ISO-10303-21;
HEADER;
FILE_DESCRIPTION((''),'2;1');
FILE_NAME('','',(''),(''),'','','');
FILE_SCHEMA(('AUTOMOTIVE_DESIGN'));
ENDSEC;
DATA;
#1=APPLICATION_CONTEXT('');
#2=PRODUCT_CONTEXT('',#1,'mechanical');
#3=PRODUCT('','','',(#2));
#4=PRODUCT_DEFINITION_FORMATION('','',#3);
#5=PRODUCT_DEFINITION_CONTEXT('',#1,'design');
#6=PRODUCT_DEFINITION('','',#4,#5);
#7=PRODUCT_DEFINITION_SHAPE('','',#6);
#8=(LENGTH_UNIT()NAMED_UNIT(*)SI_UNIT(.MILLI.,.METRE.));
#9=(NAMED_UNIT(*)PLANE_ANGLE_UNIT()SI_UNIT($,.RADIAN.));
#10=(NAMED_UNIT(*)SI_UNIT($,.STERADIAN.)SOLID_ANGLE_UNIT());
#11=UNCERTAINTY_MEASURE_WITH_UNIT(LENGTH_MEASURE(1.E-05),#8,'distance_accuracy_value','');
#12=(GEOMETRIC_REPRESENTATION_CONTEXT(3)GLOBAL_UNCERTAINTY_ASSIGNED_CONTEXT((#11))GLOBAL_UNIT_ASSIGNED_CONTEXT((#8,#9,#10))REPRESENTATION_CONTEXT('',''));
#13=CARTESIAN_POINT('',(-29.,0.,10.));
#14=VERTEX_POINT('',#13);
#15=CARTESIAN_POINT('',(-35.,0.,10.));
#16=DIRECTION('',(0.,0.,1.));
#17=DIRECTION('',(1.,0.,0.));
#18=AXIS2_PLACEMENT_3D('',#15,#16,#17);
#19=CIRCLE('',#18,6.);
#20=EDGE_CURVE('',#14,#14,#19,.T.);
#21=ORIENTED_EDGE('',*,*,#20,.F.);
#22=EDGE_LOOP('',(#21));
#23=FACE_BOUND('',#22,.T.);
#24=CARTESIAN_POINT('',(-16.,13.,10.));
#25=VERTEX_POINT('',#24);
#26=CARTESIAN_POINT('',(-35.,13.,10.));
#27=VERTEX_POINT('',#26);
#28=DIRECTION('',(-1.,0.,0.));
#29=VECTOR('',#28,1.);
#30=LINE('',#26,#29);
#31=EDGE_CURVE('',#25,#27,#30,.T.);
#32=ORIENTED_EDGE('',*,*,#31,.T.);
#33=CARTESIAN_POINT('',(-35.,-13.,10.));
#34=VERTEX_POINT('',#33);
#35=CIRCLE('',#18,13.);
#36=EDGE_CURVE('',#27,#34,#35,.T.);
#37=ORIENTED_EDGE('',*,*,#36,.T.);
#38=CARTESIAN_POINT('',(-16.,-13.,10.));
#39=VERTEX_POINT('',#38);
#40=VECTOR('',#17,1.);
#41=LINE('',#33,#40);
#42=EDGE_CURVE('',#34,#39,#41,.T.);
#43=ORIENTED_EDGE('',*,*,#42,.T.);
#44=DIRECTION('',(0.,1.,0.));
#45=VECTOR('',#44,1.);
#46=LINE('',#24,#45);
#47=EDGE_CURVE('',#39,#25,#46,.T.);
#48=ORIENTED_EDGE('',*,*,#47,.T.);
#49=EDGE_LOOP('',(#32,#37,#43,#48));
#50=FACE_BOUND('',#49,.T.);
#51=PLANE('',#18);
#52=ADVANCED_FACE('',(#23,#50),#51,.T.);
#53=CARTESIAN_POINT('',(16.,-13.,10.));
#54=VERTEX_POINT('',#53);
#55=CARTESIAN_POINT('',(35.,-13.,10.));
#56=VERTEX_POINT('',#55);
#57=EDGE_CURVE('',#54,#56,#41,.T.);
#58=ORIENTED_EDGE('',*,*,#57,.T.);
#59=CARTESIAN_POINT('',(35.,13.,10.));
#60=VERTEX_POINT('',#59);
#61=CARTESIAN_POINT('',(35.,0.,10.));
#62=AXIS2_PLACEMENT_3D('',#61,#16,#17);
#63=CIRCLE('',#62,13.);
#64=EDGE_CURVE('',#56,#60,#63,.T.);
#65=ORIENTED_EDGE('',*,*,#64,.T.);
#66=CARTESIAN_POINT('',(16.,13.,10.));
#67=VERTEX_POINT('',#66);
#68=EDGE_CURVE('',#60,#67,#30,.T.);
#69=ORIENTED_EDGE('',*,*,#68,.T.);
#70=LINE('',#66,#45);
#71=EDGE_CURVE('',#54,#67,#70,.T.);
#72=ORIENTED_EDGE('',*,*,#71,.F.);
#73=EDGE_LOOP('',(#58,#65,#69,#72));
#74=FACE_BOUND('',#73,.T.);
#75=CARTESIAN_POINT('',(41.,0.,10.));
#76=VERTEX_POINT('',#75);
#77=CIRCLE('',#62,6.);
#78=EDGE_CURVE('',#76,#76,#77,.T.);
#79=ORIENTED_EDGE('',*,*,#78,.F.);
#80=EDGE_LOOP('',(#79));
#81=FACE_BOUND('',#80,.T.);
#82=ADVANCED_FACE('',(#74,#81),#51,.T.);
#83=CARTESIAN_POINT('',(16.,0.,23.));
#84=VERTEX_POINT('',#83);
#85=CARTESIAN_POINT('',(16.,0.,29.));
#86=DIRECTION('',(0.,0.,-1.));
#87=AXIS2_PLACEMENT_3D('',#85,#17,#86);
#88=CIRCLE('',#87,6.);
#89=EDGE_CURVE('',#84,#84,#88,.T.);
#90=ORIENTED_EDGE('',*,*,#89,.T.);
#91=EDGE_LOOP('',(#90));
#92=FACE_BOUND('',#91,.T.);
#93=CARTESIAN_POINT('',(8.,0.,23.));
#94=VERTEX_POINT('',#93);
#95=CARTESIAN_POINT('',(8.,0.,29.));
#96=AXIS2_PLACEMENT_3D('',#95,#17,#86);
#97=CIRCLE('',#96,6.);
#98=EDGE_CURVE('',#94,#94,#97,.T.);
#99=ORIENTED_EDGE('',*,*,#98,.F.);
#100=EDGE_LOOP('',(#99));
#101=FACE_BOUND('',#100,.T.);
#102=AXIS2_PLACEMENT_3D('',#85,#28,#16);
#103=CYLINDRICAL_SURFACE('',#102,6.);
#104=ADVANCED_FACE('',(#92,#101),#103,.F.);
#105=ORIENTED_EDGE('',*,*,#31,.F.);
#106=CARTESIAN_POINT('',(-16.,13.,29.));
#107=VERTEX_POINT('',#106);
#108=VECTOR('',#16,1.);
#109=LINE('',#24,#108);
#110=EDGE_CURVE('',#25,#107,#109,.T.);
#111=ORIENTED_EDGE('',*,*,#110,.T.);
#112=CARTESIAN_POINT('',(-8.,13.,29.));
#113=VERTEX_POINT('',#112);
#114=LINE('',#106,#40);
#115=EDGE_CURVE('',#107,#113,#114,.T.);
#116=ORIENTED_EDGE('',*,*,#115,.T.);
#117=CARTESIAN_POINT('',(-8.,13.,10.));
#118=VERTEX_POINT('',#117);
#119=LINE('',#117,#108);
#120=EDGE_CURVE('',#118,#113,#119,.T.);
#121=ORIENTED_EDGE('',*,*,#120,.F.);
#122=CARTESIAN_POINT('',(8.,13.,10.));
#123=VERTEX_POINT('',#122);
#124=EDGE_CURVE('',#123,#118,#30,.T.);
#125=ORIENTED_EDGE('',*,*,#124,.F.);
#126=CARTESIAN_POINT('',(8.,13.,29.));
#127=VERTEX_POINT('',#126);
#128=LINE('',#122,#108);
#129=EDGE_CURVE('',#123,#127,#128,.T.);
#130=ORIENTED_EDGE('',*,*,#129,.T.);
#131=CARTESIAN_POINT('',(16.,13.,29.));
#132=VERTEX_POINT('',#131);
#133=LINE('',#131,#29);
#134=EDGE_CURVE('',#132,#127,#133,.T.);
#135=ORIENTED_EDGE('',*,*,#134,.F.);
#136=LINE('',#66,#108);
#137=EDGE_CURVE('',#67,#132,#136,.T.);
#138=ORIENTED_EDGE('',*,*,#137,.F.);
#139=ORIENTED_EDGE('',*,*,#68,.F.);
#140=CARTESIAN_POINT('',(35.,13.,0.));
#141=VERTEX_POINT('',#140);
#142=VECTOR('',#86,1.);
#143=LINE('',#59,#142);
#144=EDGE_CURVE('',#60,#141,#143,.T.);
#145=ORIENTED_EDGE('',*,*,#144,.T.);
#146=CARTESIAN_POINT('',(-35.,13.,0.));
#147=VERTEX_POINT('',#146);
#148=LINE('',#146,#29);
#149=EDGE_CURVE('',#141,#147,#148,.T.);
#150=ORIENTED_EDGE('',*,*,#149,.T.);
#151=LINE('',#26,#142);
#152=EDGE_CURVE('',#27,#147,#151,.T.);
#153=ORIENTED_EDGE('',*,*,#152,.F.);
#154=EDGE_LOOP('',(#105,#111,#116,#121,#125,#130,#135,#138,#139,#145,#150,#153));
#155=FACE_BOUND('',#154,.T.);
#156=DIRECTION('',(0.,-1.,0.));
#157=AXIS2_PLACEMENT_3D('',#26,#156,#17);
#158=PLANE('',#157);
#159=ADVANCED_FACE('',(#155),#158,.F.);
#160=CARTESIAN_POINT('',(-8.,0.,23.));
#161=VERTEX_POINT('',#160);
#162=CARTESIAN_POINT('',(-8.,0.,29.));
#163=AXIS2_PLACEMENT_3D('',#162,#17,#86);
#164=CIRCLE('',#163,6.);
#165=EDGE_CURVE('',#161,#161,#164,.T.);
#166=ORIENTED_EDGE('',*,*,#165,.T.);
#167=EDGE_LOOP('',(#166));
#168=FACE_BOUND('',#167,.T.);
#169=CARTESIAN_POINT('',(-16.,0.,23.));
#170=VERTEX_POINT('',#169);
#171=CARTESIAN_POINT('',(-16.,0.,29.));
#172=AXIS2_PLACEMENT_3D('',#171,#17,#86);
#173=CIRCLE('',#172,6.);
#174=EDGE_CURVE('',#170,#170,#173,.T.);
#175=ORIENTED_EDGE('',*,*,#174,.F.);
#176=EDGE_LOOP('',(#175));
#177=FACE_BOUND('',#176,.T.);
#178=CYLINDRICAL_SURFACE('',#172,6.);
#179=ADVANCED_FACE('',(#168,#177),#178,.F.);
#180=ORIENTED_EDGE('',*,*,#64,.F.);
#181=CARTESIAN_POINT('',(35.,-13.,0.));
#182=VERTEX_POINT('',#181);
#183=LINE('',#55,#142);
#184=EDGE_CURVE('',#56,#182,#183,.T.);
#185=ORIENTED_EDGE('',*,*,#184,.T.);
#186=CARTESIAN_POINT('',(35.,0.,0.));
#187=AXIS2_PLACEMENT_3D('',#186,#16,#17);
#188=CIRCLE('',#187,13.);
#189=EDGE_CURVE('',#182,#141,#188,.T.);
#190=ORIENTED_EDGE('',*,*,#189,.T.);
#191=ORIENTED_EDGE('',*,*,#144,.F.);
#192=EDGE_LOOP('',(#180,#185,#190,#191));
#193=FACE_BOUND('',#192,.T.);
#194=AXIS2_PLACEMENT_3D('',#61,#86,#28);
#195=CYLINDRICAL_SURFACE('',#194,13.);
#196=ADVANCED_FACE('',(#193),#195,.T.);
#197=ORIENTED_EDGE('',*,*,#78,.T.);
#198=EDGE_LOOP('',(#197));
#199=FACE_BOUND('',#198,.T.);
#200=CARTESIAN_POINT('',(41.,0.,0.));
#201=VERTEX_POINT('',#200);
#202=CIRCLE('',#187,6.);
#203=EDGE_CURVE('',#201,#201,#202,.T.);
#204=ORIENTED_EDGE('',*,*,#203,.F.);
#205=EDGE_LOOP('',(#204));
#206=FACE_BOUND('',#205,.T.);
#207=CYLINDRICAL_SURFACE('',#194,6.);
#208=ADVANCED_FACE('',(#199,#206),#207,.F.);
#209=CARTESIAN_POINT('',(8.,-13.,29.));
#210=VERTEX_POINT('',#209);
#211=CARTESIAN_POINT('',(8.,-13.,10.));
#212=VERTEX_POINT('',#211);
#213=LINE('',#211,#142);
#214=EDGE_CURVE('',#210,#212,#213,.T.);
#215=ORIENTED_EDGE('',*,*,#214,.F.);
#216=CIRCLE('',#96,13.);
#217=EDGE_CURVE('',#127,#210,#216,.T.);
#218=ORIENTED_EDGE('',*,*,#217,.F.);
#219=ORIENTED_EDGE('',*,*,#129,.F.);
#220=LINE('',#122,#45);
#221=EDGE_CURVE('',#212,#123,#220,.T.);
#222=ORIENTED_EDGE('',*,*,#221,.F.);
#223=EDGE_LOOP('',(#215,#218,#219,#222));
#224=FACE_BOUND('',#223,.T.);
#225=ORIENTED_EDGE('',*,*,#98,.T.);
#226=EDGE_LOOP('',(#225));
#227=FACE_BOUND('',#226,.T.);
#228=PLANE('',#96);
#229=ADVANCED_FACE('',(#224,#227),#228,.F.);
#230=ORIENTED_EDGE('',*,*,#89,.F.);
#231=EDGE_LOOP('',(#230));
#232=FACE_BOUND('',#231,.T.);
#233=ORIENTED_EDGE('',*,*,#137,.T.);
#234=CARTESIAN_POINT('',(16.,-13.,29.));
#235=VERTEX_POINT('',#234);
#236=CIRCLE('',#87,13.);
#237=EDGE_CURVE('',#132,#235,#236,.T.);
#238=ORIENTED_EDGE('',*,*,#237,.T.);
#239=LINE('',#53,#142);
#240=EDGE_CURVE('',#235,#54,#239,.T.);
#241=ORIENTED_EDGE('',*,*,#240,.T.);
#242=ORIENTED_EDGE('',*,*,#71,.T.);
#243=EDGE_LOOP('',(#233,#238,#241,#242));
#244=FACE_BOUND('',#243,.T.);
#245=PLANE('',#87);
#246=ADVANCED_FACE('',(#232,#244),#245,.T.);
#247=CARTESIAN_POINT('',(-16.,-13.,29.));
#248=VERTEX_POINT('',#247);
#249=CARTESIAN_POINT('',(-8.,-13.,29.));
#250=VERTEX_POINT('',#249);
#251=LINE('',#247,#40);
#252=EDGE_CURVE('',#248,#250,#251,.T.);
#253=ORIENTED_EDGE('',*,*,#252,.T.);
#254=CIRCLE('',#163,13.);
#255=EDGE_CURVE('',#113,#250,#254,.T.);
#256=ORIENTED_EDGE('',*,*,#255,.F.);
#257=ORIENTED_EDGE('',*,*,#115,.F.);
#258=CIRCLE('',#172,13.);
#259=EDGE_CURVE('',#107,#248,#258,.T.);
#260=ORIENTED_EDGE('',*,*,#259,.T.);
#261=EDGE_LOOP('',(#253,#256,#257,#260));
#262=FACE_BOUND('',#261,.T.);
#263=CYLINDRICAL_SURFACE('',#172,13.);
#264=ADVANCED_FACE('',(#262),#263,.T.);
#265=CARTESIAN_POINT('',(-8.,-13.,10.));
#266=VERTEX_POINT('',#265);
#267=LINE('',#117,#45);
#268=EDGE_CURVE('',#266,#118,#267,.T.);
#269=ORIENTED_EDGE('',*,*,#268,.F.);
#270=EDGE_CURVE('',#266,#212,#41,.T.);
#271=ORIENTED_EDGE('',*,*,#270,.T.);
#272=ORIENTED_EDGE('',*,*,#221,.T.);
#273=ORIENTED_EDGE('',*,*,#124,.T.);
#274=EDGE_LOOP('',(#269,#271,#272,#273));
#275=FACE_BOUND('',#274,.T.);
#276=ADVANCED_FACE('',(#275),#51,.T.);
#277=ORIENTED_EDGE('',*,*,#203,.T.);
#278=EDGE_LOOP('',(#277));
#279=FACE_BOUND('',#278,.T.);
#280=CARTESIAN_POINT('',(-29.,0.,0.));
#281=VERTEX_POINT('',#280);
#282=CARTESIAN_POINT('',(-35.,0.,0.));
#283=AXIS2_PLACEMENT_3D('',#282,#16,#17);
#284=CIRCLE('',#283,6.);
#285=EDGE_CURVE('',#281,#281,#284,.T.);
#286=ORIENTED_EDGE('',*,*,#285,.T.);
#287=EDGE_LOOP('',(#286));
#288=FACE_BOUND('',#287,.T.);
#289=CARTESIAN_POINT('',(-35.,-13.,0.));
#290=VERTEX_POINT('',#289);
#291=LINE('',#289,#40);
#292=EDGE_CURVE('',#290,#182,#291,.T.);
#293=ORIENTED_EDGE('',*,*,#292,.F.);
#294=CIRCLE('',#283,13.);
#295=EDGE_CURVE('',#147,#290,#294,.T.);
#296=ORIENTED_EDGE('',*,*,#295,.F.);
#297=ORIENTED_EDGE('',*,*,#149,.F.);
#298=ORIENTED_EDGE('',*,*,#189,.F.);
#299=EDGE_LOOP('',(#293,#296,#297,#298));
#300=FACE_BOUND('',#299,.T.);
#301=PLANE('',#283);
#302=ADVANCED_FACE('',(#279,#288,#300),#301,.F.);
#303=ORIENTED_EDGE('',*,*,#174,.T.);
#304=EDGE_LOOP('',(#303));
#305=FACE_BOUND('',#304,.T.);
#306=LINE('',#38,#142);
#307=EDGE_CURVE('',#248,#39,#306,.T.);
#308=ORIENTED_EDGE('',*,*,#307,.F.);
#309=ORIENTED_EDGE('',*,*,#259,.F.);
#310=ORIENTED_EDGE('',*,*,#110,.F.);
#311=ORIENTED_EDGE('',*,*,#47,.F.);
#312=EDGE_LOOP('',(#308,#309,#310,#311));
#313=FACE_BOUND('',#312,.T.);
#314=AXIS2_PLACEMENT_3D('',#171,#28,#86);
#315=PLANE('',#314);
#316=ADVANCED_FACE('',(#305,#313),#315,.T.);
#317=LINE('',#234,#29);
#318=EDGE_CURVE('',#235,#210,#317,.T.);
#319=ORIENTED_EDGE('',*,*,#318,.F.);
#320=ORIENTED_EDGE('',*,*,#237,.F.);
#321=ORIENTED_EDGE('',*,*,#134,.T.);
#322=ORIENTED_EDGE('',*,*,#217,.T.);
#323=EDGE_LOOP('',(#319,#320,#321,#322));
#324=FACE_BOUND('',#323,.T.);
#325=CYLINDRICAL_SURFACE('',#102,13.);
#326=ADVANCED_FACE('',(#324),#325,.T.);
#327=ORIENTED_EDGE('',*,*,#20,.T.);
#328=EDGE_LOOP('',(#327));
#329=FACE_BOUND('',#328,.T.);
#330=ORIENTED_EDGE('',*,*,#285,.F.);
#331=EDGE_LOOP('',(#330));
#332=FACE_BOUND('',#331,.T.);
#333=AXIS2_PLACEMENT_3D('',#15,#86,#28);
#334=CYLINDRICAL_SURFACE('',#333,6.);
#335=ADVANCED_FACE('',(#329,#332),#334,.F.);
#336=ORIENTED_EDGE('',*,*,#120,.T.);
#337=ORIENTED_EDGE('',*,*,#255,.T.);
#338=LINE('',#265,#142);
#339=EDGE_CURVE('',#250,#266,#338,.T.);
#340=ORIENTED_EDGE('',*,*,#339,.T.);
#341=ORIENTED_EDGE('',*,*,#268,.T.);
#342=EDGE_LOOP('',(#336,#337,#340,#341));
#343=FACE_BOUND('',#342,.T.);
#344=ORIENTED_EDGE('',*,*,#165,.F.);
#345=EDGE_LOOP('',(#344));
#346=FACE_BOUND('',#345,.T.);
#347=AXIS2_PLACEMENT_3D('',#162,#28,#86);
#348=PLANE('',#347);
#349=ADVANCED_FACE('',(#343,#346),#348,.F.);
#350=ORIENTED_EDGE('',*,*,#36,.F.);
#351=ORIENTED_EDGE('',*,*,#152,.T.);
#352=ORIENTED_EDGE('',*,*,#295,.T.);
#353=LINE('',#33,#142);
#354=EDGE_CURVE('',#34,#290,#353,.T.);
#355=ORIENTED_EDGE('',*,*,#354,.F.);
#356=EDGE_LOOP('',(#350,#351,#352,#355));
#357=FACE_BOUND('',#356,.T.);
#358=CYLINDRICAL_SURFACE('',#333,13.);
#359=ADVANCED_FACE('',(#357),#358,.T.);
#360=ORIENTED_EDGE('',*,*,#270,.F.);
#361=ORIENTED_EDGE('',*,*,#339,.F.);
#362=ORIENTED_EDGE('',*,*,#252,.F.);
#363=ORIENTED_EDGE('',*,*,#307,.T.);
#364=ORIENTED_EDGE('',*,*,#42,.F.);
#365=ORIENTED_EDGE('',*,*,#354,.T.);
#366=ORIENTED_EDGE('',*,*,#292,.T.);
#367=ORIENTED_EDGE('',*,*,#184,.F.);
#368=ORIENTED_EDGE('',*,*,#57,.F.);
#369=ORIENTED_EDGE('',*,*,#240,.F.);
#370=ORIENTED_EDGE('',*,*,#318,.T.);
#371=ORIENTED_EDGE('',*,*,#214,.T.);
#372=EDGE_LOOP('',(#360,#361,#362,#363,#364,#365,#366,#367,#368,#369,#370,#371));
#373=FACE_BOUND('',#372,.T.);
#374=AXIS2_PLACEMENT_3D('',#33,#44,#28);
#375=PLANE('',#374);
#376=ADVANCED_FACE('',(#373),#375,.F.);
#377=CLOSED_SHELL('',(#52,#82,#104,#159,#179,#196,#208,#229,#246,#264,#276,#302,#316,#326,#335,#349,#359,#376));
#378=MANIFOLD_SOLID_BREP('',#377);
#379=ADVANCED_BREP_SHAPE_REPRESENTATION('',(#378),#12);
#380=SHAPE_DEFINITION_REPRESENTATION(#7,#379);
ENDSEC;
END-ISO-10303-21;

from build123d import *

# Parameters (mm, degrees)
SKETCH1_R           = 6
BOSS_EXTRUDE1_DEPTH = 10
BOSS_EXTRUDE2_START = 8
SKETCH3_R           = 6
BOSS_EXTRUDE2_DEPTH = 8


with BuildPart() as part:
    # Sketch1 → Boss-Extrude1 (new body)
    with BuildSketch(Plane.XY):
        with BuildLine():
            Line((-35, 13), (35, 13))
            ThreePointArc((35, 13), (48, 0), (35, -13))
            Line((35, -13), (-35, -13))
            ThreePointArc((-35, -13), (-48, 0), (-35, 13))
        make_face()
        with Locations((-35, 0)):
            Circle(SKETCH1_R, mode=Mode.SUBTRACT)
        with Locations((35, 0)):
            Circle(SKETCH1_R, mode=Mode.SUBTRACT)
    extrude(amount=BOSS_EXTRUDE1_DEPTH)

    # Sketch3 → Boss-Extrude2 (add)
    with BuildSketch(Plane(origin=(0, 0, 0), x_dir=(0, 0, -1), z_dir=(1, 0, 0)).offset(BOSS_EXTRUDE2_START)):
        with BuildLine():
            Line((-10, -13), (-29, -13))
            ThreePointArc((-29, -13), (-42, 0), (-29, 13))
            Line((-29, 13), (-10, 13))
            Line((-10, 13), (-10, -13))
        make_face()
        with Locations((-29, 0)):
            Circle(SKETCH3_R, mode=Mode.SUBTRACT)
    boss_extrude2 = extrude(amount=BOSS_EXTRUDE2_DEPTH)

    # Mirror1: Boss-Extrude2 across plane
    add(boss_extrude2.mirror(Plane(origin=(0, 0, 0), x_dir=(0, 0, 1), z_dir=(1, 0, 0))))


solid = part.part
